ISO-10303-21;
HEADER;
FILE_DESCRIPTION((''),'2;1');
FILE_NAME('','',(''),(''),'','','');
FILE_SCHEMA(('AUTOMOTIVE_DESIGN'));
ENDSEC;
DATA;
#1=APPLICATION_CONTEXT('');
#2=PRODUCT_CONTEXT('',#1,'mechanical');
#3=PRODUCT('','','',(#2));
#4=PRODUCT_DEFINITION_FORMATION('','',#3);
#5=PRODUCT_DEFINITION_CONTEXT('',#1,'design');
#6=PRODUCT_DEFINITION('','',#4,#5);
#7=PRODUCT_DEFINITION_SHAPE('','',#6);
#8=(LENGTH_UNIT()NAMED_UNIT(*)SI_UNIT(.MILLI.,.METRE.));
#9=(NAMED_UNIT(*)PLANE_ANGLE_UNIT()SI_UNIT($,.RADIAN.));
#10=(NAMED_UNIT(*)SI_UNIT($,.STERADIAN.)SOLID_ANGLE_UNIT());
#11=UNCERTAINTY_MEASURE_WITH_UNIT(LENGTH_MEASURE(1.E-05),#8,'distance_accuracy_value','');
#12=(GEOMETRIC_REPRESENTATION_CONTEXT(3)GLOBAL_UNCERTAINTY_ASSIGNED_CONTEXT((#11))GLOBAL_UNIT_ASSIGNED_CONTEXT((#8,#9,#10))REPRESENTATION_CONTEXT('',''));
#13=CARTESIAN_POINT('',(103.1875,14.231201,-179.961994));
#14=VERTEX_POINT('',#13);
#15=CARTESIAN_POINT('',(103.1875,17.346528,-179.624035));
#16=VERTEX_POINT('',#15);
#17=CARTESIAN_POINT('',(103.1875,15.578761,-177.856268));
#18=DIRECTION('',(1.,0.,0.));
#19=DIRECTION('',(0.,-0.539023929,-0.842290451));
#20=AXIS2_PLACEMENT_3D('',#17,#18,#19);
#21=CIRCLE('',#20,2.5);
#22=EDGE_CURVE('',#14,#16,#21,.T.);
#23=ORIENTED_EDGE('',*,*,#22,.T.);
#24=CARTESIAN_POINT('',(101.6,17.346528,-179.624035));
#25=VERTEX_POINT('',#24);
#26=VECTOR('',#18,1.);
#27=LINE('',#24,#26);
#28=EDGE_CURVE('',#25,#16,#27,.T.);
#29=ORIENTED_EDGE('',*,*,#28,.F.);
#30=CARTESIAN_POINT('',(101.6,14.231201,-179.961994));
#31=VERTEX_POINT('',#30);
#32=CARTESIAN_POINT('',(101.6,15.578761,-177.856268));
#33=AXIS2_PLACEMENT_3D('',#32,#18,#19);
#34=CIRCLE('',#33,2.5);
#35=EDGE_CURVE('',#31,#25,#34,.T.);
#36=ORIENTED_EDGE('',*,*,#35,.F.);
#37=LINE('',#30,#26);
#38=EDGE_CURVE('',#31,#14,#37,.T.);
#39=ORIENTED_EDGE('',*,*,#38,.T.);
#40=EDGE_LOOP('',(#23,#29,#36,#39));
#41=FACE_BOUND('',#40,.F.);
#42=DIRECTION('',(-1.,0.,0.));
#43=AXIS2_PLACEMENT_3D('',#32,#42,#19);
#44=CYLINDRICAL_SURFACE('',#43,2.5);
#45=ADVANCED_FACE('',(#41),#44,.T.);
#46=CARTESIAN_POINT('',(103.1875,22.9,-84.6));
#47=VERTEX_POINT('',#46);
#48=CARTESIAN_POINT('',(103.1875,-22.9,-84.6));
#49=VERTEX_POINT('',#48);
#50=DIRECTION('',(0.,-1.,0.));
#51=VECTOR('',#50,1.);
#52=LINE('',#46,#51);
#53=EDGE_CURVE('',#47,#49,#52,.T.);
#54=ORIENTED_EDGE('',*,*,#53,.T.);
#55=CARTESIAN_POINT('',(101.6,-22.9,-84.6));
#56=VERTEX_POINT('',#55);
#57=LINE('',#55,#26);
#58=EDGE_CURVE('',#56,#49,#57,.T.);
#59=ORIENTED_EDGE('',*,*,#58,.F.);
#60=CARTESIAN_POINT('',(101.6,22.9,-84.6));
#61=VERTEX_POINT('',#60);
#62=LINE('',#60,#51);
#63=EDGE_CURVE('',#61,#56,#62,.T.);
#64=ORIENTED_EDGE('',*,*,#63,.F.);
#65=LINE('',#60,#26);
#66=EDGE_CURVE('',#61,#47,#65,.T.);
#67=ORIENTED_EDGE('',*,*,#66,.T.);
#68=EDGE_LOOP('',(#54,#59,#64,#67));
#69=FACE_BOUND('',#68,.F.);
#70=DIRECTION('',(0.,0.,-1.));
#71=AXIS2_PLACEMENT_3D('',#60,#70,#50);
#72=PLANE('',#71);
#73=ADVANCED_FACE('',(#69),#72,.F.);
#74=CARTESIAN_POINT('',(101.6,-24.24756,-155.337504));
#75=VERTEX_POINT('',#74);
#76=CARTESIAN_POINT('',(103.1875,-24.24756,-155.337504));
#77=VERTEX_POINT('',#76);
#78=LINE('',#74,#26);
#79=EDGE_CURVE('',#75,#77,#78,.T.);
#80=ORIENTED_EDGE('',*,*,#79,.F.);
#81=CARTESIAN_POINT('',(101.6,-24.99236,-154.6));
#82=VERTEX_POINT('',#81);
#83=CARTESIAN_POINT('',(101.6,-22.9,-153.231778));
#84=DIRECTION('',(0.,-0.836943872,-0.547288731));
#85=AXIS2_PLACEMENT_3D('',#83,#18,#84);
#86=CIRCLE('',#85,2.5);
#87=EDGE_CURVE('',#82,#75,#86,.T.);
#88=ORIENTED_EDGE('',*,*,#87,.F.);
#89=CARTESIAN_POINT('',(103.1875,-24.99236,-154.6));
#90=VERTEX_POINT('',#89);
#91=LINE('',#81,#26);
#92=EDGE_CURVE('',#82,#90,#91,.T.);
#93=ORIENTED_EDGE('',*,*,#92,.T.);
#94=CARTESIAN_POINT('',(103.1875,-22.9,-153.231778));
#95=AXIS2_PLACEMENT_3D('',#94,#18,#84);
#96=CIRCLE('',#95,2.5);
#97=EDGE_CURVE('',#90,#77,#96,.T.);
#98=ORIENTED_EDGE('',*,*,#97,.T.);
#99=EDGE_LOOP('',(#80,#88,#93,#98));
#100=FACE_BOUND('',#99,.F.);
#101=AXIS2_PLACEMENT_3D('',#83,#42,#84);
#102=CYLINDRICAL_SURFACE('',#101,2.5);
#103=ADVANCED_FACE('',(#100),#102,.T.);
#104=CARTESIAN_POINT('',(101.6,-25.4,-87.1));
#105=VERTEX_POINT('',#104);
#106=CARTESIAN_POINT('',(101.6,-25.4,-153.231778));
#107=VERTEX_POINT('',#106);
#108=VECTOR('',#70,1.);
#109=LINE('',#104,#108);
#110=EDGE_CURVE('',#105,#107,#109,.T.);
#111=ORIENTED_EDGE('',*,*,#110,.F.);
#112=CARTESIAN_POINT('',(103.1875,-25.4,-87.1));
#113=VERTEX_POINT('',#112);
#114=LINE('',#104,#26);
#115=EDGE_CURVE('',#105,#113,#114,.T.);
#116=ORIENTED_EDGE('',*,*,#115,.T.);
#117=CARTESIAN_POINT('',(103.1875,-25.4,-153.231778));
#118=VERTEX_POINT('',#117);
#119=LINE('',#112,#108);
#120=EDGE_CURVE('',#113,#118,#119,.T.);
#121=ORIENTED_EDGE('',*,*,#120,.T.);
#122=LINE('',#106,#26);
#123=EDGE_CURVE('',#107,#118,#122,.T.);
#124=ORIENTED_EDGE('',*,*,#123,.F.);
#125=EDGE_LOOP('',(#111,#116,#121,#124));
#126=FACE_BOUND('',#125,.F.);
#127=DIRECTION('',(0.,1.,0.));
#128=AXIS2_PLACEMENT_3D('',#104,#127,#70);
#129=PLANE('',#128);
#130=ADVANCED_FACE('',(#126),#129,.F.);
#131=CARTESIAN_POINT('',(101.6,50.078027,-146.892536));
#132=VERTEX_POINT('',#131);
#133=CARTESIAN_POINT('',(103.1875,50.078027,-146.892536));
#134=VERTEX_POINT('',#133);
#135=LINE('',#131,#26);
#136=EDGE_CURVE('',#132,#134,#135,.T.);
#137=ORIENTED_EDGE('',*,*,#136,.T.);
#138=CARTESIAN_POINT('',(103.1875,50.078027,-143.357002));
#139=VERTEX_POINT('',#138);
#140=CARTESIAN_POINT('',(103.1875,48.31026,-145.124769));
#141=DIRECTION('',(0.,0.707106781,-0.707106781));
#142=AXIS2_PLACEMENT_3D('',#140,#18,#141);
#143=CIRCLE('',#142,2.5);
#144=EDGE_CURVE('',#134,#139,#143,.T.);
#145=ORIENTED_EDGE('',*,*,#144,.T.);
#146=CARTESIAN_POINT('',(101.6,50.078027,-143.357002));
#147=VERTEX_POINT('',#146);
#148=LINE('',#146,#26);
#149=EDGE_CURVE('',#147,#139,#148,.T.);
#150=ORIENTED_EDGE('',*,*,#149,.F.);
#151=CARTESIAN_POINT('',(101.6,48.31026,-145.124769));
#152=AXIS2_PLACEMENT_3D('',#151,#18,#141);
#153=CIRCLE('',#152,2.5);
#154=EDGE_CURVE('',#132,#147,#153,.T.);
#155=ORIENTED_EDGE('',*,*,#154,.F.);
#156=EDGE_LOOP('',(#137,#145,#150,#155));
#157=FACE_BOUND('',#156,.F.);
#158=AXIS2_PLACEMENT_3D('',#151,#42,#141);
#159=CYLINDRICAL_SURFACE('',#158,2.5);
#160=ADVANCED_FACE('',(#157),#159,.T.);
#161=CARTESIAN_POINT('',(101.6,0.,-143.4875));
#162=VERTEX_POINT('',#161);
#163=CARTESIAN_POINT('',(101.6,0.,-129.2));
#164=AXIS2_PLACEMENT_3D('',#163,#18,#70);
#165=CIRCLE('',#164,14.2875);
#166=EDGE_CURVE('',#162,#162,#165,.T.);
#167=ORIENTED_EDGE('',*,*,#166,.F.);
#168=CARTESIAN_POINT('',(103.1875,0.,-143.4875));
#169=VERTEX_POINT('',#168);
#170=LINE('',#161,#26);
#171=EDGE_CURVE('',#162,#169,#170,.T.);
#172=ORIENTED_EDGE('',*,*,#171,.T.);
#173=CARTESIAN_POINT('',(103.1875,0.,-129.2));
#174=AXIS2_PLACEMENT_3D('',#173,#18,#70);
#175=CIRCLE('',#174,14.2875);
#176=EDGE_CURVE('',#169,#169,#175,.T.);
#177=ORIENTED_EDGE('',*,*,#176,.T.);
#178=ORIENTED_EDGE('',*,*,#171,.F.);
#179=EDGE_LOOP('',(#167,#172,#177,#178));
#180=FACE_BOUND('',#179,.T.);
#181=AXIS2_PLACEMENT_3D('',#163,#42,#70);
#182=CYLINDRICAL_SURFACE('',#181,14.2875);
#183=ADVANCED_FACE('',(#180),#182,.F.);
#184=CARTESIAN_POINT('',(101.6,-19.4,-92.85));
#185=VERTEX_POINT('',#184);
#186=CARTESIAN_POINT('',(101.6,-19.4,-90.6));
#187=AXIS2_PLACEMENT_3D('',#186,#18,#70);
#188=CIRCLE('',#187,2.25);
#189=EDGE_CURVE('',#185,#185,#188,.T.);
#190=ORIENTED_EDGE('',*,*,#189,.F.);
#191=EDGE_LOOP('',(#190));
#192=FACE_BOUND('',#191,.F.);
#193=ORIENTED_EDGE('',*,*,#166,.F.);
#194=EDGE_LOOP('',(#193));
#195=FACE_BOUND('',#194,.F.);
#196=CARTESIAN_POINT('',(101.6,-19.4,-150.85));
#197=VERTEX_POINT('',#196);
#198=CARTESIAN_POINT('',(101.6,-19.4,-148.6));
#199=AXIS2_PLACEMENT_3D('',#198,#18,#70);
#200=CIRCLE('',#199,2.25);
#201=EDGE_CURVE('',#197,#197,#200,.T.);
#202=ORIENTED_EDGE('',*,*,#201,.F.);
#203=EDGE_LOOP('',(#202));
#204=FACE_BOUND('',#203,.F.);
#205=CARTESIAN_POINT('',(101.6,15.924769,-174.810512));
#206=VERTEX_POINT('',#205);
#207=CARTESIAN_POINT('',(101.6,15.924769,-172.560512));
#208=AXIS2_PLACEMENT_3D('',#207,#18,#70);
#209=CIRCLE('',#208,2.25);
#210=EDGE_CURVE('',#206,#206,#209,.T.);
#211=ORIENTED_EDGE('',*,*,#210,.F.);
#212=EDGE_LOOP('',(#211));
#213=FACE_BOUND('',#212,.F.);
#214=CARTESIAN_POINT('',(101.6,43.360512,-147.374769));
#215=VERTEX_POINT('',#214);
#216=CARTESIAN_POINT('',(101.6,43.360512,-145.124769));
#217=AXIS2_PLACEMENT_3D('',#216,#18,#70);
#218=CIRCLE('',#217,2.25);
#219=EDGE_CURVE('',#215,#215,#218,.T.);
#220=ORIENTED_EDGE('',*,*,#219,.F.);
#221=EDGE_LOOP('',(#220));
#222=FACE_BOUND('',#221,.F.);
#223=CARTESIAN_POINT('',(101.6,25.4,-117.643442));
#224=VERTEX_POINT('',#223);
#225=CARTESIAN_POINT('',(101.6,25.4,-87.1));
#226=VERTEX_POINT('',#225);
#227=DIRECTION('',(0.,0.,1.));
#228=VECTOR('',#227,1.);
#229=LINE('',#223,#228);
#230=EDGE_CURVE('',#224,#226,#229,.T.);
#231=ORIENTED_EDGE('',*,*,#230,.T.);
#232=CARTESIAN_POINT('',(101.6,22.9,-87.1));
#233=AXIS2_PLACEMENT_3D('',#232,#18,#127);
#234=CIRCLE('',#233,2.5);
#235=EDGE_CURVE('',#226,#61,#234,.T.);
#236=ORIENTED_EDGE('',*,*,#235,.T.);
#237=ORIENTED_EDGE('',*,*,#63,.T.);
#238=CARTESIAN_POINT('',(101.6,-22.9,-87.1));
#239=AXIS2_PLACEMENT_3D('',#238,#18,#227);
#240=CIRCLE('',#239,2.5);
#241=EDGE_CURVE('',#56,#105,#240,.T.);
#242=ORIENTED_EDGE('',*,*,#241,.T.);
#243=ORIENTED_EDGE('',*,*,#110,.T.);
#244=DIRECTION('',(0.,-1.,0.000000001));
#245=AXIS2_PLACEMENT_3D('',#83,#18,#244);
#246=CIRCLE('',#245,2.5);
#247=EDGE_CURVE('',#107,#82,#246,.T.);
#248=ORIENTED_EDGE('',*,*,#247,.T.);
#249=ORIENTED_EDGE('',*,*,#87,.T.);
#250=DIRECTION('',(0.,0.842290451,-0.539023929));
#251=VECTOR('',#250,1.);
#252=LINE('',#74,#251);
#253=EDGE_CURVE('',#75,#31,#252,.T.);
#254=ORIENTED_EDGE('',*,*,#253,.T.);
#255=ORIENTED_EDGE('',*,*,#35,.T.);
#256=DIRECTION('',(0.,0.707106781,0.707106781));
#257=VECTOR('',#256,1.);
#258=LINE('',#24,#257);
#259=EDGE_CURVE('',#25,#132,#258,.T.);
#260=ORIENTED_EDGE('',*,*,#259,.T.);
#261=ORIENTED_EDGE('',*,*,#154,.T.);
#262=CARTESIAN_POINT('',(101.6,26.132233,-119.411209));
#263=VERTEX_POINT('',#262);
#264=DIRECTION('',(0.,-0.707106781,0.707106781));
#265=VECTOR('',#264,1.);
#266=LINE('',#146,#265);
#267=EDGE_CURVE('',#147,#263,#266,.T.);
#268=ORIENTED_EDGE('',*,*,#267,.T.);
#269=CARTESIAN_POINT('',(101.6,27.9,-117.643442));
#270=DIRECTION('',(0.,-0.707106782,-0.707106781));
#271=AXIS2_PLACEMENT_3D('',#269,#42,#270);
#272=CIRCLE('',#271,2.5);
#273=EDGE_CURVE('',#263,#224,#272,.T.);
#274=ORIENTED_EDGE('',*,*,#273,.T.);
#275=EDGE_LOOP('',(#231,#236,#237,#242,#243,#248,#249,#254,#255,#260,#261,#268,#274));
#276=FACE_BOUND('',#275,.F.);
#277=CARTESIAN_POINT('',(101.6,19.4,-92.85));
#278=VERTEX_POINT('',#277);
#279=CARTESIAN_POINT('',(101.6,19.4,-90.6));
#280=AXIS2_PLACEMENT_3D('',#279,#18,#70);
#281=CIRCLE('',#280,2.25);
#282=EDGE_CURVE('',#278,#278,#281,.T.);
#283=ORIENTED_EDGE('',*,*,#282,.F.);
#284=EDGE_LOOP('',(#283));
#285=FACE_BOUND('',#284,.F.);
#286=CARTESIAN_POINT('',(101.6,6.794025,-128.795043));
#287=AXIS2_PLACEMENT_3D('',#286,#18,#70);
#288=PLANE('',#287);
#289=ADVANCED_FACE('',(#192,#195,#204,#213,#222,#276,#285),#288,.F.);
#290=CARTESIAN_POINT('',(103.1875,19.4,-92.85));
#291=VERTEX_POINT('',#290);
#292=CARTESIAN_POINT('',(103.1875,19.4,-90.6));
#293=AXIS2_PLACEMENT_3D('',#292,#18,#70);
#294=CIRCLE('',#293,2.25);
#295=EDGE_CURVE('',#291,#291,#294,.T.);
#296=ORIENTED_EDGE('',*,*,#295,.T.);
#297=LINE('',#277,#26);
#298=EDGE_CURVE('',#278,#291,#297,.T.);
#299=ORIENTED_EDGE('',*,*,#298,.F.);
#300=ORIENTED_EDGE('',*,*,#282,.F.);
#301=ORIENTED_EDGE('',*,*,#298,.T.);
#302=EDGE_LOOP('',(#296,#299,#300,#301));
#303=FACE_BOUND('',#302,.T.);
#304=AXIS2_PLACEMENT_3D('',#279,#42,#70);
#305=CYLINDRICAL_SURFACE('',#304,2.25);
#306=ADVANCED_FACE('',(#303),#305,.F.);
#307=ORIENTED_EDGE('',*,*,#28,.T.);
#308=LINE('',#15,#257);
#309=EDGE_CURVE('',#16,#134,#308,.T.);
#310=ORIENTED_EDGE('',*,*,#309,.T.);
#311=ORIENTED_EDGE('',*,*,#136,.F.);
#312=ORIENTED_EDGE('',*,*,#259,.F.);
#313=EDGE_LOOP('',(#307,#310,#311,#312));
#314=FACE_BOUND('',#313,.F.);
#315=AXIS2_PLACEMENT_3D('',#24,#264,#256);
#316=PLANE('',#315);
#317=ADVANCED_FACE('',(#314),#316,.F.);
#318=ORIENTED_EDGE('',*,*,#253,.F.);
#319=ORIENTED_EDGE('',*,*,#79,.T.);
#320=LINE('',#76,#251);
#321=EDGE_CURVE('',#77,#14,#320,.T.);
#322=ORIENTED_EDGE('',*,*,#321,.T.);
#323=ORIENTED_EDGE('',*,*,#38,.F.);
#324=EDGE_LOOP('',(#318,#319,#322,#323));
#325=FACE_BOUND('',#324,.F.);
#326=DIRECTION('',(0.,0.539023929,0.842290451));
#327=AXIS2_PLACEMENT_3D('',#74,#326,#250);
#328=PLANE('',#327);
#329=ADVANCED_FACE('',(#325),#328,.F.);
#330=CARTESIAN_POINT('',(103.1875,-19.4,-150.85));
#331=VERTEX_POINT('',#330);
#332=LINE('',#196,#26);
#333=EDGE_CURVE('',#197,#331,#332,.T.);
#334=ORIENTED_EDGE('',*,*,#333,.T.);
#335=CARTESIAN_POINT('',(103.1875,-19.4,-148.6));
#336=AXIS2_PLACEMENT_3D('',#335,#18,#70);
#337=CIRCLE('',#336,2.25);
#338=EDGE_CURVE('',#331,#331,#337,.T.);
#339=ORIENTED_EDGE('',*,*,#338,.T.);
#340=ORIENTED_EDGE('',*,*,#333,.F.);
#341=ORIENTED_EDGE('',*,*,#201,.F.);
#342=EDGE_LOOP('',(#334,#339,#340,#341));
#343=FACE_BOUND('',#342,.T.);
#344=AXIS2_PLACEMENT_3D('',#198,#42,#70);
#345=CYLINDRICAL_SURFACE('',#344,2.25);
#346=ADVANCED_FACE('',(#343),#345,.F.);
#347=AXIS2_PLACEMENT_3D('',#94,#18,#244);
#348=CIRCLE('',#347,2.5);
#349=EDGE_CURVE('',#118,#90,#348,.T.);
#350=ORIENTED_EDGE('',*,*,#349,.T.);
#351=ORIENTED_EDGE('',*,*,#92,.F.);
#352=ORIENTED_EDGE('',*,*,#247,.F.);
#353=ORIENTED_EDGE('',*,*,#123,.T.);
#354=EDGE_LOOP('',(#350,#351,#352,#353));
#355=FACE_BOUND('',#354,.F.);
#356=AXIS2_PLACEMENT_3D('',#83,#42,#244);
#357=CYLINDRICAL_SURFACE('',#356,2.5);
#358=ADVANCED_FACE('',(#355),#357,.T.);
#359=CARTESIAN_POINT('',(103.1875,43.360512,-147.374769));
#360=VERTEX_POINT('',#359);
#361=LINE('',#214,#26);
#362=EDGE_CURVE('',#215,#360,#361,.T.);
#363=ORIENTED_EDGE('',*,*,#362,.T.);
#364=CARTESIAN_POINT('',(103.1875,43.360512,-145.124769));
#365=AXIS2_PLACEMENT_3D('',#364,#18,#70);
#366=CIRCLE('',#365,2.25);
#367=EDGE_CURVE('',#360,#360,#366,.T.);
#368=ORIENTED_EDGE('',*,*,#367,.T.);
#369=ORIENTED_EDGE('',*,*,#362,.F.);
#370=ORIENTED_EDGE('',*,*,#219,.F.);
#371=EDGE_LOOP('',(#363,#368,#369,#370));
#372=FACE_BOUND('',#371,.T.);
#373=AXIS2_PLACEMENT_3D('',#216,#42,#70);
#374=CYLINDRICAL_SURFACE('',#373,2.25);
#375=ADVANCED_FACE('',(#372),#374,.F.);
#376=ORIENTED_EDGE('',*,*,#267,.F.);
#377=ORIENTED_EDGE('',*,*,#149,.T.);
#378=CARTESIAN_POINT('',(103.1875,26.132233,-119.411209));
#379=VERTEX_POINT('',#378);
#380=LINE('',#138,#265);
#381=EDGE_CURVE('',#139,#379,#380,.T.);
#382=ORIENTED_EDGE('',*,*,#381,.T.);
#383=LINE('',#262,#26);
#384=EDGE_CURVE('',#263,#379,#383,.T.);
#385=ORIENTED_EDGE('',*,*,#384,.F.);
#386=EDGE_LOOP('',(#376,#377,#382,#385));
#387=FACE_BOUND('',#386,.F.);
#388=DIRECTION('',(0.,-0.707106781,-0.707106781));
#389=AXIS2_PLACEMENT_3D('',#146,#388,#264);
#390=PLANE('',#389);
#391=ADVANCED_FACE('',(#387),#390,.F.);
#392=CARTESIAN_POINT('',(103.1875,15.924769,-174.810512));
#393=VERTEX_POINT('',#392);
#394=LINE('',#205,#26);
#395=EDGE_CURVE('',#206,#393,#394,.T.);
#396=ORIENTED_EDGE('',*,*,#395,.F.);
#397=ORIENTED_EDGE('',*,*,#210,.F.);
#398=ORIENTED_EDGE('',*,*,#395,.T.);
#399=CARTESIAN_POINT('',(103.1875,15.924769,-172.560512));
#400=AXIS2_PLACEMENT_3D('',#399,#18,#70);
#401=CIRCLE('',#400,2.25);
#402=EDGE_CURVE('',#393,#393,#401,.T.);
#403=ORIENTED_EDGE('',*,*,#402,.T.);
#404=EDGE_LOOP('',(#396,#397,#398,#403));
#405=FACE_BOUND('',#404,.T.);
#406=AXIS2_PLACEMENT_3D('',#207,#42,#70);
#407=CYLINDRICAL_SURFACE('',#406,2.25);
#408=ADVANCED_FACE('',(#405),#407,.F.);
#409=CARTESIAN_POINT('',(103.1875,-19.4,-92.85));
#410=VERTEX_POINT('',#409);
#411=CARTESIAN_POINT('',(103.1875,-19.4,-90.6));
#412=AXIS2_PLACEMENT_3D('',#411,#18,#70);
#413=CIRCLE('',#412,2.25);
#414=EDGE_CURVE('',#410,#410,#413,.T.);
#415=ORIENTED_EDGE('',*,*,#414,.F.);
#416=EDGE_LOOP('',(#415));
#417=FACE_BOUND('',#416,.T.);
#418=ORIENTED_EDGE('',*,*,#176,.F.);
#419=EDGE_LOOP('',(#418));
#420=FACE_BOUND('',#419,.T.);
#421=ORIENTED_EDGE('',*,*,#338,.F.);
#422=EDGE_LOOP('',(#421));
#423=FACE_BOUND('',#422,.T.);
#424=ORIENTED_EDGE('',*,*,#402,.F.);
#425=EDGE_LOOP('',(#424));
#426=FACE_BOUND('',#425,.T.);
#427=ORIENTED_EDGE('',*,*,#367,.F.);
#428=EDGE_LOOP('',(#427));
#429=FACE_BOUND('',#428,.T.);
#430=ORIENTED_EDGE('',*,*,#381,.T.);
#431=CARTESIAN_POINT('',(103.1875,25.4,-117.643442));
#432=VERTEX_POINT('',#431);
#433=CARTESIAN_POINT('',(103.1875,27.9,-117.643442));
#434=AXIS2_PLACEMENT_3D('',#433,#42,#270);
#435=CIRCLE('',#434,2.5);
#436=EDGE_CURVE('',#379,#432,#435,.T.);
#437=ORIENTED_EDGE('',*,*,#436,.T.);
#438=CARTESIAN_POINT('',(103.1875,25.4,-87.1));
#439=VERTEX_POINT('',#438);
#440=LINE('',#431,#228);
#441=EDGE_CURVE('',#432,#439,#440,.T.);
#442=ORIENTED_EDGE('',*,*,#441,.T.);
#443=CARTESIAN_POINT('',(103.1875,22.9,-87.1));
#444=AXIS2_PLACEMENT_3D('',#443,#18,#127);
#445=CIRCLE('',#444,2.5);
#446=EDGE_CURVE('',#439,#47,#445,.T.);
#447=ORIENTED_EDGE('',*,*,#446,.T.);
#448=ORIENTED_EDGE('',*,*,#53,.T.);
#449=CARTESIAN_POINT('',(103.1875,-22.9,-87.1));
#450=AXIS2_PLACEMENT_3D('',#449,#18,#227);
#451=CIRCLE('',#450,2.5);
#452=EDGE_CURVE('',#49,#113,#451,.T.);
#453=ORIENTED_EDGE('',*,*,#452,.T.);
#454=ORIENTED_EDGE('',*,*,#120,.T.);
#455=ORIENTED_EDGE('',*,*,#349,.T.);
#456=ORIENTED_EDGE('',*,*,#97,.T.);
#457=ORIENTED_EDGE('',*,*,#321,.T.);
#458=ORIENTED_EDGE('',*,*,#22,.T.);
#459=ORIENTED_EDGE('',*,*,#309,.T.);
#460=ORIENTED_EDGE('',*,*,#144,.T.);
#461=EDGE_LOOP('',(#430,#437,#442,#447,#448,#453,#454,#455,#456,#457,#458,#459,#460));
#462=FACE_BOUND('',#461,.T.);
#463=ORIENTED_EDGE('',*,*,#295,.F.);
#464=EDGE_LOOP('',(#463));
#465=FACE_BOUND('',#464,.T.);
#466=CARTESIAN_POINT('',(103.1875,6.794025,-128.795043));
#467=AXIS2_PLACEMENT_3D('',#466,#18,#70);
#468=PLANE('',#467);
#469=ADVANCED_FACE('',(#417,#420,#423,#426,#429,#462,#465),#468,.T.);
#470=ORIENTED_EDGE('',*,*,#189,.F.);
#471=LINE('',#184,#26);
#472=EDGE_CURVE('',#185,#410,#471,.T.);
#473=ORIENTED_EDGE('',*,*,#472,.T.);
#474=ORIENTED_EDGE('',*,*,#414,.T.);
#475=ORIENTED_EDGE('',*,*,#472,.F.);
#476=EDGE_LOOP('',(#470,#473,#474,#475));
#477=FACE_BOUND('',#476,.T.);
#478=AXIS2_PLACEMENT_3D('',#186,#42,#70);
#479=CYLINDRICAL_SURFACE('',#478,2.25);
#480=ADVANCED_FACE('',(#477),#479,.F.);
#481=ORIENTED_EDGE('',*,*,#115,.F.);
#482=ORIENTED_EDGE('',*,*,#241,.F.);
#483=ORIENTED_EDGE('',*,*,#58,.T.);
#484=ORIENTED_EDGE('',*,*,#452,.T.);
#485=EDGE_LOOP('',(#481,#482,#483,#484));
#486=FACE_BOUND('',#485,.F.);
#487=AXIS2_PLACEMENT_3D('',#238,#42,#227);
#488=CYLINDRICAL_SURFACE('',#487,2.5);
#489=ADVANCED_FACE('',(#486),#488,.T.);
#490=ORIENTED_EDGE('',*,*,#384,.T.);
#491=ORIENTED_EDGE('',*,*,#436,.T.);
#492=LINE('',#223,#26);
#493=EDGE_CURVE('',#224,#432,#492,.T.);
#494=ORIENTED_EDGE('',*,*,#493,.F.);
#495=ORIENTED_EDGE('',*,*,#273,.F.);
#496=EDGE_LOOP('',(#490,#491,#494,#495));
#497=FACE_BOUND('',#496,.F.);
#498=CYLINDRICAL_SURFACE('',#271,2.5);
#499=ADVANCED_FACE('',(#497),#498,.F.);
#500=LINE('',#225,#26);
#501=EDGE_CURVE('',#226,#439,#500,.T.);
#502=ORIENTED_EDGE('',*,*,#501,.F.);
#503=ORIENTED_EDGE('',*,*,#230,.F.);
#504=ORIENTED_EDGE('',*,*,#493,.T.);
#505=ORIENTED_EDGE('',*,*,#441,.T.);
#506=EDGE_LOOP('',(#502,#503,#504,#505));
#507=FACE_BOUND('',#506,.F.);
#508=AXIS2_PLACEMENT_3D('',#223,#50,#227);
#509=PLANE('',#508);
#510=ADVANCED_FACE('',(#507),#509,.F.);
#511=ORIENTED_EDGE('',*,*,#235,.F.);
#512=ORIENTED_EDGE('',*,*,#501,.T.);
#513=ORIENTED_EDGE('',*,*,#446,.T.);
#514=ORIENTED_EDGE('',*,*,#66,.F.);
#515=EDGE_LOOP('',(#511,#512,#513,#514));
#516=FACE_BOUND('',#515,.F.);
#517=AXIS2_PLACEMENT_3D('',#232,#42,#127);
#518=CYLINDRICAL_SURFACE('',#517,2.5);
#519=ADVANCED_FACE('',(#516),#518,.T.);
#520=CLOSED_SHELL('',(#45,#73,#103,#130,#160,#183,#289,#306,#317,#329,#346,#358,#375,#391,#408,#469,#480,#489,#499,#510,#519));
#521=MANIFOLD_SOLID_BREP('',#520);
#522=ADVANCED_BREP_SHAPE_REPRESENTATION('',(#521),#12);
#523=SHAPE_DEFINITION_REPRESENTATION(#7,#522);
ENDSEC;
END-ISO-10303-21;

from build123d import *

# Parameters (mm, degrees)
SKETCH1_EXCAVATOR_MASTERSKETCH_3_R   = 2.25
SKETCH1_EXCAVATOR_MASTERSKETCH_3_R_2 = 14.2875
BOSS_EXTRUDE1_DEPTH                  = 1.5875


with BuildPart() as part:
    # Sketch1-Excavator Mastersketch_3 → Boss-Extrude1 (new body)
    with BuildSketch(Plane(origin=(101.6, 0, 0), x_dir=(0, 0, -1), z_dir=(1, 0, 0))):
        with BuildLine():
            Line((87.1, -25.4), (153.231778176, -25.4))
            ThreePointArc((153.231778176, -25.4), (153.945606164, -25.295923539), (154.6, -24.992359682))
            ThreePointArc((154.6, -24.992359682), (155.00822415, -24.65904511), (155.337504304, -24.247559823))
            Line((155.337504304, -24.247559823), (179.961994288, 14.231200859))
            ThreePointArc((179.961994288, 14.231200859), (180.341686112, 15.848385623), (179.624035114, 17.346527635))
            Line((179.624035114, 17.346527635), (146.892536085, 50.078026663))
            ThreePointArc((146.892536085, 50.078026663), (145.124769132, 50.81025971), (143.357002179, 50.078026663))
            Line((143.357002179, 50.078026663), (119.411208563, 26.132233047))
            ThreePointArc((119.411208563, 26.132233047), (118.600150191, 25.590301169), (117.64344161, 25.4))
            Line((117.64344161, 25.4), (87.1, 25.4))
            ThreePointArc((87.1, 25.4), (85.332233047, 24.667766953), (84.6, 22.9))
            Line((84.6, 22.9), (84.6, -22.9))
            ThreePointArc((84.6, -22.9), (85.332233047, -24.667766953), (87.1, -25.4))
        make_face()
        with Locations((90.6, -19.4)):
            Circle(SKETCH1_EXCAVATOR_MASTERSKETCH_3_R, mode=Mode.SUBTRACT)
        with Locations((129.2, 0)):
            Circle(SKETCH1_EXCAVATOR_MASTERSKETCH_3_R_2, mode=Mode.SUBTRACT)
        with Locations((148.6, -19.4)):
            Circle(SKETCH1_EXCAVATOR_MASTERSKETCH_3_R, mode=Mode.SUBTRACT)
        with Locations((90.6, 19.4)):
            Circle(SKETCH1_EXCAVATOR_MASTERSKETCH_3_R, mode=Mode.SUBTRACT)
        with Locations((172.560512242, 15.924769132)):
            Circle(SKETCH1_EXCAVATOR_MASTERSKETCH_3_R, mode=Mode.SUBTRACT)
        with Locations((145.124769132, 43.360512242)):
            Circle(SKETCH1_EXCAVATOR_MASTERSKETCH_3_R, mode=Mode.SUBTRACT)
    extrude(amount=BOSS_EXTRUDE1_DEPTH)


solid = part.part
